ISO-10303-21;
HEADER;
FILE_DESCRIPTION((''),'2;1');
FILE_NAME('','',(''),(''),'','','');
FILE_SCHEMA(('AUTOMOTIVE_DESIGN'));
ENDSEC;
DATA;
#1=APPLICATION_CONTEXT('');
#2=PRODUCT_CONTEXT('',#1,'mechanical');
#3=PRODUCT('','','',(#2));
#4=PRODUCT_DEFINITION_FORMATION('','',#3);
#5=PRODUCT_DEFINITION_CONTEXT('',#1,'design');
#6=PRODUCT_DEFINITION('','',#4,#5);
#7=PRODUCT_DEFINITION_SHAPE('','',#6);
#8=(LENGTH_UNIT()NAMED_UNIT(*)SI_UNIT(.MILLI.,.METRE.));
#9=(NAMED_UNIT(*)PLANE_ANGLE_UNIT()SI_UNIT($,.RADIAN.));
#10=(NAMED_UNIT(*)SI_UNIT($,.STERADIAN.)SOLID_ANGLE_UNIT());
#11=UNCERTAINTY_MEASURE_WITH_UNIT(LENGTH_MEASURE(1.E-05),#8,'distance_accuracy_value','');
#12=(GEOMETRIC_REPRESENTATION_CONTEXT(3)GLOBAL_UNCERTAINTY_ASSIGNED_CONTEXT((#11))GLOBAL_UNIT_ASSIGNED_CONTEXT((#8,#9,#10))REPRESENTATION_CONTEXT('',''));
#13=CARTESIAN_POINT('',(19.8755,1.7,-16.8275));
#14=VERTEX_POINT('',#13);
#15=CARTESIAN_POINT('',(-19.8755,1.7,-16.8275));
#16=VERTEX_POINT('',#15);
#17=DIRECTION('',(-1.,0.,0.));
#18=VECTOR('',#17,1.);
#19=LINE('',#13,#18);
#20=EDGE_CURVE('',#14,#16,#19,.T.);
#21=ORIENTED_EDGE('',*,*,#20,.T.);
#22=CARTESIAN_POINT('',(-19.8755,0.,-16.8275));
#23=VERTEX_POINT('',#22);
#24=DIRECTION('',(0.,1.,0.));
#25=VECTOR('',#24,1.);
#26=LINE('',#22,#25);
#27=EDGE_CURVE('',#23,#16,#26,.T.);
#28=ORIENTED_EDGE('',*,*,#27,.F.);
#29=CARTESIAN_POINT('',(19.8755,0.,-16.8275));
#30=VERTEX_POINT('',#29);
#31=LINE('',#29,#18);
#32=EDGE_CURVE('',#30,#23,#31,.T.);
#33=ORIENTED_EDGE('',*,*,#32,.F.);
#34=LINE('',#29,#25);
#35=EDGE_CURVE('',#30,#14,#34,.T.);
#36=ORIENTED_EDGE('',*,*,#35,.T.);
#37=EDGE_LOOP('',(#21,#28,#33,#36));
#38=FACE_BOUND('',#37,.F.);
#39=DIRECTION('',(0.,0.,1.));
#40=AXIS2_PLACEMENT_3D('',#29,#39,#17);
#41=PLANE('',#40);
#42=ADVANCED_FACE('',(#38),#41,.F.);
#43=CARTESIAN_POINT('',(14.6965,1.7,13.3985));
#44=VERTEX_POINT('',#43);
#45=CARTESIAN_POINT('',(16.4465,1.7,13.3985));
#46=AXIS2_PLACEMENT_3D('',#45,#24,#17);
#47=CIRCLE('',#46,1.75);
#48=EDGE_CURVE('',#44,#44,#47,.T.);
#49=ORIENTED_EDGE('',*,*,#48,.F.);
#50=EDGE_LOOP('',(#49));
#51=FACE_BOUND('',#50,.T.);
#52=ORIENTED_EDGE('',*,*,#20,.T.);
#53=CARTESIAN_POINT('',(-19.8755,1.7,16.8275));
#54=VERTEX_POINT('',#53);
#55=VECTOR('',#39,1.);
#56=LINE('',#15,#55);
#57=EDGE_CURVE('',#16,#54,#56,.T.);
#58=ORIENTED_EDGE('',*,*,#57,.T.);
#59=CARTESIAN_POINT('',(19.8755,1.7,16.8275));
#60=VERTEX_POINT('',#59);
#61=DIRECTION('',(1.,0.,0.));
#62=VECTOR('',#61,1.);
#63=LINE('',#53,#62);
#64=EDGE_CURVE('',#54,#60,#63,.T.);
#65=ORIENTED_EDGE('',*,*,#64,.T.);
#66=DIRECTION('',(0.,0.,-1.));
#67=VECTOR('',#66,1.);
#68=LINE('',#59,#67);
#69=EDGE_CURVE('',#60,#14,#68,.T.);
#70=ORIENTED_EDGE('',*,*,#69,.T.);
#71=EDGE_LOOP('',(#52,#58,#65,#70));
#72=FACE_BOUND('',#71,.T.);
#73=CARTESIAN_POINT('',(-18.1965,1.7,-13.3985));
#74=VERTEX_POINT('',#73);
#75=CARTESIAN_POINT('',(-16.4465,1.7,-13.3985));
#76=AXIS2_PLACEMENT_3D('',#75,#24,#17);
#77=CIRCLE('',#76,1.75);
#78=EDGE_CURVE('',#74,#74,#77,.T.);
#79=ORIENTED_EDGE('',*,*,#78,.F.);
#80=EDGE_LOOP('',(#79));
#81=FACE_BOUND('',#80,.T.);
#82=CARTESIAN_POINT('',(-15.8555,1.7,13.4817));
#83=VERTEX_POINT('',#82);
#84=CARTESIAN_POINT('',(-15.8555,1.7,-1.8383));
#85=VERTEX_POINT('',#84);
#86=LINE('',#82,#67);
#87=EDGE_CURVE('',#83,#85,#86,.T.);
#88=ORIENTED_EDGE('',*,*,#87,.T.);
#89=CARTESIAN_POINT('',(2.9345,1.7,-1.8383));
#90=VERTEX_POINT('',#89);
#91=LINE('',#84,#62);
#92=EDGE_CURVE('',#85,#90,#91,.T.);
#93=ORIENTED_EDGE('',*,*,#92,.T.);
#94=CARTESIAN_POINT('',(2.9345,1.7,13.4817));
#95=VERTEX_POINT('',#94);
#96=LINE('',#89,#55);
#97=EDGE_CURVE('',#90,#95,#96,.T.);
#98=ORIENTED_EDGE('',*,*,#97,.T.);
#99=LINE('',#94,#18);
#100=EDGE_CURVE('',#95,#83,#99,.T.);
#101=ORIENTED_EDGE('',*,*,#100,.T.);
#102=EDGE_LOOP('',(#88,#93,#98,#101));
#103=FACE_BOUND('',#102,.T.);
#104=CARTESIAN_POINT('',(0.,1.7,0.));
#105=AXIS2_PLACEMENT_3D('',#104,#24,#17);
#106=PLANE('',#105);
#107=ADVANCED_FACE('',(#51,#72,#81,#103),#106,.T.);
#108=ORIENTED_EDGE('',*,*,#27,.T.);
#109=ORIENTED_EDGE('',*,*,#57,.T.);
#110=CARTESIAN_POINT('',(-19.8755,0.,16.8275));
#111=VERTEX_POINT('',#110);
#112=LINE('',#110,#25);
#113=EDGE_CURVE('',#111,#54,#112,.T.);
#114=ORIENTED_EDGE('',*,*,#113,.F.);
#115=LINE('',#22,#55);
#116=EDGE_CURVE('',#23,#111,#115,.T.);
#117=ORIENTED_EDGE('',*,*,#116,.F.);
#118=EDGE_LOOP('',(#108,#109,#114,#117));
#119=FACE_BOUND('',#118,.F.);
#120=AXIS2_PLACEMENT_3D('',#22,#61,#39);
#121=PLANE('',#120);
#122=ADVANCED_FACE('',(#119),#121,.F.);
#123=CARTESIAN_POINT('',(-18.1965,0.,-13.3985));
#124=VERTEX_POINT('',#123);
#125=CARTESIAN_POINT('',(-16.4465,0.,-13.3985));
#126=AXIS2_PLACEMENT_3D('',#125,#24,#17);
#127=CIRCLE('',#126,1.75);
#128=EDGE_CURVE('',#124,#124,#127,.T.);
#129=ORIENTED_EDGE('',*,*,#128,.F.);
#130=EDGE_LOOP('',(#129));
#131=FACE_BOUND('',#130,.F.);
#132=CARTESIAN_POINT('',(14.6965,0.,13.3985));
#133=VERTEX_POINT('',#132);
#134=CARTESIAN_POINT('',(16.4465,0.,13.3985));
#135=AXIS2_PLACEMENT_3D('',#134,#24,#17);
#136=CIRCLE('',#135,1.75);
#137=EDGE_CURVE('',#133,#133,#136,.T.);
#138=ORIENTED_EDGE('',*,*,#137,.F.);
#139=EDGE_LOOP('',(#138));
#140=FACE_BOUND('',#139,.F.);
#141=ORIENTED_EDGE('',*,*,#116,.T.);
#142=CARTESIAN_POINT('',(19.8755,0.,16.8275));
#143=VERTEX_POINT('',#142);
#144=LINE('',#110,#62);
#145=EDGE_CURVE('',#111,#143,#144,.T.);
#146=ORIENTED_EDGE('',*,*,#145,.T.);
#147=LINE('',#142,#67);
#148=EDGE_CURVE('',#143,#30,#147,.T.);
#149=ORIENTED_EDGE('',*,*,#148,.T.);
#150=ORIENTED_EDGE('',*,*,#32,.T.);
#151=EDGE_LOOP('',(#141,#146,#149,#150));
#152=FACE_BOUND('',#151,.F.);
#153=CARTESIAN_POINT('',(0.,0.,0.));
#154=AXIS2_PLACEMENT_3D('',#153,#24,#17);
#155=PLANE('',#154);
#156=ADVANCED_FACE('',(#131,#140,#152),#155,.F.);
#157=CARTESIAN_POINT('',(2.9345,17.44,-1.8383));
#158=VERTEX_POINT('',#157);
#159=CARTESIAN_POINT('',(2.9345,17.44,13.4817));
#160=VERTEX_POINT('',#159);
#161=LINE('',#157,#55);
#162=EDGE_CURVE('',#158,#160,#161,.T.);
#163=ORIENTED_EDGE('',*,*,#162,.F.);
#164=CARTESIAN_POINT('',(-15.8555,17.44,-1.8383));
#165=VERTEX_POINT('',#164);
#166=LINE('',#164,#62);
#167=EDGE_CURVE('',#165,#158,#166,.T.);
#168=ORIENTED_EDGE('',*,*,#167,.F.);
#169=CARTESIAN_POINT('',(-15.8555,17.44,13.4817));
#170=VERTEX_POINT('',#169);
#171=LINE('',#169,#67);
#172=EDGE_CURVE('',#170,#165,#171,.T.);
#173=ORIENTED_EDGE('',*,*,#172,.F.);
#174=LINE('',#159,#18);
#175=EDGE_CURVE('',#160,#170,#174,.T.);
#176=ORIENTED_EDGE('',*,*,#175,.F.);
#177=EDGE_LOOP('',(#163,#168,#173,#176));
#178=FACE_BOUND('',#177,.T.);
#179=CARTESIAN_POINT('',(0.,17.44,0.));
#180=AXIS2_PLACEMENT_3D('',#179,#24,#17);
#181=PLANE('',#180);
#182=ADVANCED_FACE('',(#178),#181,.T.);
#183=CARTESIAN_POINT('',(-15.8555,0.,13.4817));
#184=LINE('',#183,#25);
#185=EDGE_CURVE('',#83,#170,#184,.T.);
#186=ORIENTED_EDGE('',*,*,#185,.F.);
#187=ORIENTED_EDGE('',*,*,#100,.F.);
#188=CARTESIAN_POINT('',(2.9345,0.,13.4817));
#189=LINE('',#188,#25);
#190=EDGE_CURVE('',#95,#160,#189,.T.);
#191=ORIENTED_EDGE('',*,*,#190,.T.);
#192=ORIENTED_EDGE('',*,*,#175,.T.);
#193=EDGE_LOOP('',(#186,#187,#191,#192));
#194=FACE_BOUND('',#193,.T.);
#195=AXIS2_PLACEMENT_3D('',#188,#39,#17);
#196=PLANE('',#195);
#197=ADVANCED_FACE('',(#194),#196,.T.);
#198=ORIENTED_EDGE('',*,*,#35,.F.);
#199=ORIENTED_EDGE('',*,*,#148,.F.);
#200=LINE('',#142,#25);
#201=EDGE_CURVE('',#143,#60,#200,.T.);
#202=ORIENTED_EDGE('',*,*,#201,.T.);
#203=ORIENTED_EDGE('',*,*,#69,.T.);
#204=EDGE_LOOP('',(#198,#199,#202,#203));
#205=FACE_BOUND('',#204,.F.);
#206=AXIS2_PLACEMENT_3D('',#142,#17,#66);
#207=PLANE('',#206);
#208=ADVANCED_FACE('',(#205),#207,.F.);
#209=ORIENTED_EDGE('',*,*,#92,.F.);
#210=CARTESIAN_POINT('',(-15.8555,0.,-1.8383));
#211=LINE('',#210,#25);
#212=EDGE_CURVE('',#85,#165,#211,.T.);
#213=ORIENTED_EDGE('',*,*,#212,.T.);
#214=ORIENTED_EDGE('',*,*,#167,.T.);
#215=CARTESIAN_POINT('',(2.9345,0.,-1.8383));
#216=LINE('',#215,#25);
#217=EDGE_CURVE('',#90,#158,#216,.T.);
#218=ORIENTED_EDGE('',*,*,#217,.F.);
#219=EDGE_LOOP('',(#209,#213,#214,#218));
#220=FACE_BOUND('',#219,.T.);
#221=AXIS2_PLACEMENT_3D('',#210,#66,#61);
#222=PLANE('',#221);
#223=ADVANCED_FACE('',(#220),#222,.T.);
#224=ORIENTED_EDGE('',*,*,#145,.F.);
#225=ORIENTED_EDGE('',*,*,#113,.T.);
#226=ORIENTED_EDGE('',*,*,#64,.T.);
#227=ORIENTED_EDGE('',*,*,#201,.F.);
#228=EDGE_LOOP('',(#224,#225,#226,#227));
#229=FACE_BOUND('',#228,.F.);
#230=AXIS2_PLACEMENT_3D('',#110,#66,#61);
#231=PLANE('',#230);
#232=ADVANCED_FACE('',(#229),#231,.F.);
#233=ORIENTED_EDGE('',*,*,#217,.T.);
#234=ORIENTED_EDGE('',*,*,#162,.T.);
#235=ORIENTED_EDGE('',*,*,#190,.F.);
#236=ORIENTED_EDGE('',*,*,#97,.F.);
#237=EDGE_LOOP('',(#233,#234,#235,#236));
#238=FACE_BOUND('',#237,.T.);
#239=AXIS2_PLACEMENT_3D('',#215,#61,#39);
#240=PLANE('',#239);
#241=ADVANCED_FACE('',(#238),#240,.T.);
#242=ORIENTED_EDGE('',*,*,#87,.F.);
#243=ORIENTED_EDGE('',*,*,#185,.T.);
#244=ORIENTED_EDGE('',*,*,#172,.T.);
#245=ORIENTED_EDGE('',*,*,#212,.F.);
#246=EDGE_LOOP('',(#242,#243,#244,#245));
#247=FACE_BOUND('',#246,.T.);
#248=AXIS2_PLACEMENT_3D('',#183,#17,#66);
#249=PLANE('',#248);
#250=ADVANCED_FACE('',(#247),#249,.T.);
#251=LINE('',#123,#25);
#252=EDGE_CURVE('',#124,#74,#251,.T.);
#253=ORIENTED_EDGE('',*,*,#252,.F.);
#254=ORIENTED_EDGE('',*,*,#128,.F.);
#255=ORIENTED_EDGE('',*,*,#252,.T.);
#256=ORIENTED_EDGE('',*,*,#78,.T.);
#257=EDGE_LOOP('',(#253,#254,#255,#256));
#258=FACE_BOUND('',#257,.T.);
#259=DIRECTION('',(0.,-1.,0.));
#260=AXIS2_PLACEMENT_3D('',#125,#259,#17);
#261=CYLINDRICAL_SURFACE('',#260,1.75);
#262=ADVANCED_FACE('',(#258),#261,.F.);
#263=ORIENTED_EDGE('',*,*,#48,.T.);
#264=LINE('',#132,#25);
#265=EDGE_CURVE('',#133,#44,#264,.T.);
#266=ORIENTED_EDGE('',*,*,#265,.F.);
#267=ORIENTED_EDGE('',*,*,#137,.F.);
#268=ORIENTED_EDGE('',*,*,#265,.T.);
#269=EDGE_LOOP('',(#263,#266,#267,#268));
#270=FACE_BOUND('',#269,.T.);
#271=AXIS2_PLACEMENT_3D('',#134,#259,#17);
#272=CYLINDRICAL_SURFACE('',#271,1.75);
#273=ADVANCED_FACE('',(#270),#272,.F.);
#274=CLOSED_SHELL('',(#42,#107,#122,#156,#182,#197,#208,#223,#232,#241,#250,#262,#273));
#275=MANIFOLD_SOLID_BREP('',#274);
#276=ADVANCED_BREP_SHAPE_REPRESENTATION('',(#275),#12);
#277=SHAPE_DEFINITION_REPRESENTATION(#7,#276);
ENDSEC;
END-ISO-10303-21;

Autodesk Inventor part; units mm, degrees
ref_plane "YZ Plane" through (0, 0, 0) normal (1, 0, 0) x (0, 1, 0)
ref_plane "XZ Plane" through (0, 0, 0) normal (0, 1, 0) x (-1, 0, 0)
ref_plane "XY Plane" through (0, 0, 0) normal (0, 0, 1) x (1, 0, 0)
sketch "Sketch1" plane through (0, 0, 0) normal (0, 1, 0) x (-1, 0, 0)
  line L0 (19.8755, 16.8275) -> (-19.8755, 16.8275)
  line L1 (-19.8755, 16.8275) -> (-19.8755, -16.8275)
  line L2 (-19.8755, -16.8275) -> (19.8755, -16.8275)
  line L3 (19.8755, -16.8275) -> (19.8755, 16.8275)
  line L4 (19.8755, 16.8275) -> (-19.8755, -16.8275) construction
  line L5 (-19.8755, 16.8275) -> (19.8755, -16.8275) construction
  circle A0 centre (16.4465, -13.3985) radius 1.75
  circle A1 centre (-16.4465, 13.3985) radius 1.75
  line L6 (15.8555, -1.8383) -> (-2.9345, -1.8383)
  line L7 (-2.9345, -1.8383) -> (-2.9345, 13.4817)
  line L8 (-2.9345, 13.4817) -> (15.8555, 13.4817)
  line L9 (15.8555, 13.4817) -> (15.8555, -1.8383)
  point P0 (0, 0)
  dimension "d0" = 39.751
  dimension "d1" = 33.655
  dimension "d2" = 3.5
  dimension "d3" = 3.5
  dimension "d4" = 3.429
  dimension "d5" = 3.429
  dimension "d6" = 3.429
  dimension "d7" = 3.429
  dimension "d8" = 18.79
  dimension "d9" = 15.32
  dimension "d10" = 24.2439
  dimension "d11" = 24.2439
extrude "Extrusion1" add sketch "Sketch1" along normal blind 1.7
extrude "Extrusion2" add sketch "Sketch1" along normal blind 17.44 contours L6 L7 L8 L9
sketch "Sketch2" plane through (0, 1.7, 0) normal (0, 1, 0) x (1, 0, 0)
  line L0 (-18.4674, 8.6665) -> (19.4938, 8.6665) construction
  line L1 (19.4938, 8.6665) -> (19.4938, 5.0304) construction
  line L2 (19.4938, 5.0304) -> (-18.4674, 5.0304) construction
  line L3 (-18.4674, 5.0304) -> (-18.4674, 8.6665) construction
  point P0 (0, 0)
properties part number "Driver Kipas v2"
